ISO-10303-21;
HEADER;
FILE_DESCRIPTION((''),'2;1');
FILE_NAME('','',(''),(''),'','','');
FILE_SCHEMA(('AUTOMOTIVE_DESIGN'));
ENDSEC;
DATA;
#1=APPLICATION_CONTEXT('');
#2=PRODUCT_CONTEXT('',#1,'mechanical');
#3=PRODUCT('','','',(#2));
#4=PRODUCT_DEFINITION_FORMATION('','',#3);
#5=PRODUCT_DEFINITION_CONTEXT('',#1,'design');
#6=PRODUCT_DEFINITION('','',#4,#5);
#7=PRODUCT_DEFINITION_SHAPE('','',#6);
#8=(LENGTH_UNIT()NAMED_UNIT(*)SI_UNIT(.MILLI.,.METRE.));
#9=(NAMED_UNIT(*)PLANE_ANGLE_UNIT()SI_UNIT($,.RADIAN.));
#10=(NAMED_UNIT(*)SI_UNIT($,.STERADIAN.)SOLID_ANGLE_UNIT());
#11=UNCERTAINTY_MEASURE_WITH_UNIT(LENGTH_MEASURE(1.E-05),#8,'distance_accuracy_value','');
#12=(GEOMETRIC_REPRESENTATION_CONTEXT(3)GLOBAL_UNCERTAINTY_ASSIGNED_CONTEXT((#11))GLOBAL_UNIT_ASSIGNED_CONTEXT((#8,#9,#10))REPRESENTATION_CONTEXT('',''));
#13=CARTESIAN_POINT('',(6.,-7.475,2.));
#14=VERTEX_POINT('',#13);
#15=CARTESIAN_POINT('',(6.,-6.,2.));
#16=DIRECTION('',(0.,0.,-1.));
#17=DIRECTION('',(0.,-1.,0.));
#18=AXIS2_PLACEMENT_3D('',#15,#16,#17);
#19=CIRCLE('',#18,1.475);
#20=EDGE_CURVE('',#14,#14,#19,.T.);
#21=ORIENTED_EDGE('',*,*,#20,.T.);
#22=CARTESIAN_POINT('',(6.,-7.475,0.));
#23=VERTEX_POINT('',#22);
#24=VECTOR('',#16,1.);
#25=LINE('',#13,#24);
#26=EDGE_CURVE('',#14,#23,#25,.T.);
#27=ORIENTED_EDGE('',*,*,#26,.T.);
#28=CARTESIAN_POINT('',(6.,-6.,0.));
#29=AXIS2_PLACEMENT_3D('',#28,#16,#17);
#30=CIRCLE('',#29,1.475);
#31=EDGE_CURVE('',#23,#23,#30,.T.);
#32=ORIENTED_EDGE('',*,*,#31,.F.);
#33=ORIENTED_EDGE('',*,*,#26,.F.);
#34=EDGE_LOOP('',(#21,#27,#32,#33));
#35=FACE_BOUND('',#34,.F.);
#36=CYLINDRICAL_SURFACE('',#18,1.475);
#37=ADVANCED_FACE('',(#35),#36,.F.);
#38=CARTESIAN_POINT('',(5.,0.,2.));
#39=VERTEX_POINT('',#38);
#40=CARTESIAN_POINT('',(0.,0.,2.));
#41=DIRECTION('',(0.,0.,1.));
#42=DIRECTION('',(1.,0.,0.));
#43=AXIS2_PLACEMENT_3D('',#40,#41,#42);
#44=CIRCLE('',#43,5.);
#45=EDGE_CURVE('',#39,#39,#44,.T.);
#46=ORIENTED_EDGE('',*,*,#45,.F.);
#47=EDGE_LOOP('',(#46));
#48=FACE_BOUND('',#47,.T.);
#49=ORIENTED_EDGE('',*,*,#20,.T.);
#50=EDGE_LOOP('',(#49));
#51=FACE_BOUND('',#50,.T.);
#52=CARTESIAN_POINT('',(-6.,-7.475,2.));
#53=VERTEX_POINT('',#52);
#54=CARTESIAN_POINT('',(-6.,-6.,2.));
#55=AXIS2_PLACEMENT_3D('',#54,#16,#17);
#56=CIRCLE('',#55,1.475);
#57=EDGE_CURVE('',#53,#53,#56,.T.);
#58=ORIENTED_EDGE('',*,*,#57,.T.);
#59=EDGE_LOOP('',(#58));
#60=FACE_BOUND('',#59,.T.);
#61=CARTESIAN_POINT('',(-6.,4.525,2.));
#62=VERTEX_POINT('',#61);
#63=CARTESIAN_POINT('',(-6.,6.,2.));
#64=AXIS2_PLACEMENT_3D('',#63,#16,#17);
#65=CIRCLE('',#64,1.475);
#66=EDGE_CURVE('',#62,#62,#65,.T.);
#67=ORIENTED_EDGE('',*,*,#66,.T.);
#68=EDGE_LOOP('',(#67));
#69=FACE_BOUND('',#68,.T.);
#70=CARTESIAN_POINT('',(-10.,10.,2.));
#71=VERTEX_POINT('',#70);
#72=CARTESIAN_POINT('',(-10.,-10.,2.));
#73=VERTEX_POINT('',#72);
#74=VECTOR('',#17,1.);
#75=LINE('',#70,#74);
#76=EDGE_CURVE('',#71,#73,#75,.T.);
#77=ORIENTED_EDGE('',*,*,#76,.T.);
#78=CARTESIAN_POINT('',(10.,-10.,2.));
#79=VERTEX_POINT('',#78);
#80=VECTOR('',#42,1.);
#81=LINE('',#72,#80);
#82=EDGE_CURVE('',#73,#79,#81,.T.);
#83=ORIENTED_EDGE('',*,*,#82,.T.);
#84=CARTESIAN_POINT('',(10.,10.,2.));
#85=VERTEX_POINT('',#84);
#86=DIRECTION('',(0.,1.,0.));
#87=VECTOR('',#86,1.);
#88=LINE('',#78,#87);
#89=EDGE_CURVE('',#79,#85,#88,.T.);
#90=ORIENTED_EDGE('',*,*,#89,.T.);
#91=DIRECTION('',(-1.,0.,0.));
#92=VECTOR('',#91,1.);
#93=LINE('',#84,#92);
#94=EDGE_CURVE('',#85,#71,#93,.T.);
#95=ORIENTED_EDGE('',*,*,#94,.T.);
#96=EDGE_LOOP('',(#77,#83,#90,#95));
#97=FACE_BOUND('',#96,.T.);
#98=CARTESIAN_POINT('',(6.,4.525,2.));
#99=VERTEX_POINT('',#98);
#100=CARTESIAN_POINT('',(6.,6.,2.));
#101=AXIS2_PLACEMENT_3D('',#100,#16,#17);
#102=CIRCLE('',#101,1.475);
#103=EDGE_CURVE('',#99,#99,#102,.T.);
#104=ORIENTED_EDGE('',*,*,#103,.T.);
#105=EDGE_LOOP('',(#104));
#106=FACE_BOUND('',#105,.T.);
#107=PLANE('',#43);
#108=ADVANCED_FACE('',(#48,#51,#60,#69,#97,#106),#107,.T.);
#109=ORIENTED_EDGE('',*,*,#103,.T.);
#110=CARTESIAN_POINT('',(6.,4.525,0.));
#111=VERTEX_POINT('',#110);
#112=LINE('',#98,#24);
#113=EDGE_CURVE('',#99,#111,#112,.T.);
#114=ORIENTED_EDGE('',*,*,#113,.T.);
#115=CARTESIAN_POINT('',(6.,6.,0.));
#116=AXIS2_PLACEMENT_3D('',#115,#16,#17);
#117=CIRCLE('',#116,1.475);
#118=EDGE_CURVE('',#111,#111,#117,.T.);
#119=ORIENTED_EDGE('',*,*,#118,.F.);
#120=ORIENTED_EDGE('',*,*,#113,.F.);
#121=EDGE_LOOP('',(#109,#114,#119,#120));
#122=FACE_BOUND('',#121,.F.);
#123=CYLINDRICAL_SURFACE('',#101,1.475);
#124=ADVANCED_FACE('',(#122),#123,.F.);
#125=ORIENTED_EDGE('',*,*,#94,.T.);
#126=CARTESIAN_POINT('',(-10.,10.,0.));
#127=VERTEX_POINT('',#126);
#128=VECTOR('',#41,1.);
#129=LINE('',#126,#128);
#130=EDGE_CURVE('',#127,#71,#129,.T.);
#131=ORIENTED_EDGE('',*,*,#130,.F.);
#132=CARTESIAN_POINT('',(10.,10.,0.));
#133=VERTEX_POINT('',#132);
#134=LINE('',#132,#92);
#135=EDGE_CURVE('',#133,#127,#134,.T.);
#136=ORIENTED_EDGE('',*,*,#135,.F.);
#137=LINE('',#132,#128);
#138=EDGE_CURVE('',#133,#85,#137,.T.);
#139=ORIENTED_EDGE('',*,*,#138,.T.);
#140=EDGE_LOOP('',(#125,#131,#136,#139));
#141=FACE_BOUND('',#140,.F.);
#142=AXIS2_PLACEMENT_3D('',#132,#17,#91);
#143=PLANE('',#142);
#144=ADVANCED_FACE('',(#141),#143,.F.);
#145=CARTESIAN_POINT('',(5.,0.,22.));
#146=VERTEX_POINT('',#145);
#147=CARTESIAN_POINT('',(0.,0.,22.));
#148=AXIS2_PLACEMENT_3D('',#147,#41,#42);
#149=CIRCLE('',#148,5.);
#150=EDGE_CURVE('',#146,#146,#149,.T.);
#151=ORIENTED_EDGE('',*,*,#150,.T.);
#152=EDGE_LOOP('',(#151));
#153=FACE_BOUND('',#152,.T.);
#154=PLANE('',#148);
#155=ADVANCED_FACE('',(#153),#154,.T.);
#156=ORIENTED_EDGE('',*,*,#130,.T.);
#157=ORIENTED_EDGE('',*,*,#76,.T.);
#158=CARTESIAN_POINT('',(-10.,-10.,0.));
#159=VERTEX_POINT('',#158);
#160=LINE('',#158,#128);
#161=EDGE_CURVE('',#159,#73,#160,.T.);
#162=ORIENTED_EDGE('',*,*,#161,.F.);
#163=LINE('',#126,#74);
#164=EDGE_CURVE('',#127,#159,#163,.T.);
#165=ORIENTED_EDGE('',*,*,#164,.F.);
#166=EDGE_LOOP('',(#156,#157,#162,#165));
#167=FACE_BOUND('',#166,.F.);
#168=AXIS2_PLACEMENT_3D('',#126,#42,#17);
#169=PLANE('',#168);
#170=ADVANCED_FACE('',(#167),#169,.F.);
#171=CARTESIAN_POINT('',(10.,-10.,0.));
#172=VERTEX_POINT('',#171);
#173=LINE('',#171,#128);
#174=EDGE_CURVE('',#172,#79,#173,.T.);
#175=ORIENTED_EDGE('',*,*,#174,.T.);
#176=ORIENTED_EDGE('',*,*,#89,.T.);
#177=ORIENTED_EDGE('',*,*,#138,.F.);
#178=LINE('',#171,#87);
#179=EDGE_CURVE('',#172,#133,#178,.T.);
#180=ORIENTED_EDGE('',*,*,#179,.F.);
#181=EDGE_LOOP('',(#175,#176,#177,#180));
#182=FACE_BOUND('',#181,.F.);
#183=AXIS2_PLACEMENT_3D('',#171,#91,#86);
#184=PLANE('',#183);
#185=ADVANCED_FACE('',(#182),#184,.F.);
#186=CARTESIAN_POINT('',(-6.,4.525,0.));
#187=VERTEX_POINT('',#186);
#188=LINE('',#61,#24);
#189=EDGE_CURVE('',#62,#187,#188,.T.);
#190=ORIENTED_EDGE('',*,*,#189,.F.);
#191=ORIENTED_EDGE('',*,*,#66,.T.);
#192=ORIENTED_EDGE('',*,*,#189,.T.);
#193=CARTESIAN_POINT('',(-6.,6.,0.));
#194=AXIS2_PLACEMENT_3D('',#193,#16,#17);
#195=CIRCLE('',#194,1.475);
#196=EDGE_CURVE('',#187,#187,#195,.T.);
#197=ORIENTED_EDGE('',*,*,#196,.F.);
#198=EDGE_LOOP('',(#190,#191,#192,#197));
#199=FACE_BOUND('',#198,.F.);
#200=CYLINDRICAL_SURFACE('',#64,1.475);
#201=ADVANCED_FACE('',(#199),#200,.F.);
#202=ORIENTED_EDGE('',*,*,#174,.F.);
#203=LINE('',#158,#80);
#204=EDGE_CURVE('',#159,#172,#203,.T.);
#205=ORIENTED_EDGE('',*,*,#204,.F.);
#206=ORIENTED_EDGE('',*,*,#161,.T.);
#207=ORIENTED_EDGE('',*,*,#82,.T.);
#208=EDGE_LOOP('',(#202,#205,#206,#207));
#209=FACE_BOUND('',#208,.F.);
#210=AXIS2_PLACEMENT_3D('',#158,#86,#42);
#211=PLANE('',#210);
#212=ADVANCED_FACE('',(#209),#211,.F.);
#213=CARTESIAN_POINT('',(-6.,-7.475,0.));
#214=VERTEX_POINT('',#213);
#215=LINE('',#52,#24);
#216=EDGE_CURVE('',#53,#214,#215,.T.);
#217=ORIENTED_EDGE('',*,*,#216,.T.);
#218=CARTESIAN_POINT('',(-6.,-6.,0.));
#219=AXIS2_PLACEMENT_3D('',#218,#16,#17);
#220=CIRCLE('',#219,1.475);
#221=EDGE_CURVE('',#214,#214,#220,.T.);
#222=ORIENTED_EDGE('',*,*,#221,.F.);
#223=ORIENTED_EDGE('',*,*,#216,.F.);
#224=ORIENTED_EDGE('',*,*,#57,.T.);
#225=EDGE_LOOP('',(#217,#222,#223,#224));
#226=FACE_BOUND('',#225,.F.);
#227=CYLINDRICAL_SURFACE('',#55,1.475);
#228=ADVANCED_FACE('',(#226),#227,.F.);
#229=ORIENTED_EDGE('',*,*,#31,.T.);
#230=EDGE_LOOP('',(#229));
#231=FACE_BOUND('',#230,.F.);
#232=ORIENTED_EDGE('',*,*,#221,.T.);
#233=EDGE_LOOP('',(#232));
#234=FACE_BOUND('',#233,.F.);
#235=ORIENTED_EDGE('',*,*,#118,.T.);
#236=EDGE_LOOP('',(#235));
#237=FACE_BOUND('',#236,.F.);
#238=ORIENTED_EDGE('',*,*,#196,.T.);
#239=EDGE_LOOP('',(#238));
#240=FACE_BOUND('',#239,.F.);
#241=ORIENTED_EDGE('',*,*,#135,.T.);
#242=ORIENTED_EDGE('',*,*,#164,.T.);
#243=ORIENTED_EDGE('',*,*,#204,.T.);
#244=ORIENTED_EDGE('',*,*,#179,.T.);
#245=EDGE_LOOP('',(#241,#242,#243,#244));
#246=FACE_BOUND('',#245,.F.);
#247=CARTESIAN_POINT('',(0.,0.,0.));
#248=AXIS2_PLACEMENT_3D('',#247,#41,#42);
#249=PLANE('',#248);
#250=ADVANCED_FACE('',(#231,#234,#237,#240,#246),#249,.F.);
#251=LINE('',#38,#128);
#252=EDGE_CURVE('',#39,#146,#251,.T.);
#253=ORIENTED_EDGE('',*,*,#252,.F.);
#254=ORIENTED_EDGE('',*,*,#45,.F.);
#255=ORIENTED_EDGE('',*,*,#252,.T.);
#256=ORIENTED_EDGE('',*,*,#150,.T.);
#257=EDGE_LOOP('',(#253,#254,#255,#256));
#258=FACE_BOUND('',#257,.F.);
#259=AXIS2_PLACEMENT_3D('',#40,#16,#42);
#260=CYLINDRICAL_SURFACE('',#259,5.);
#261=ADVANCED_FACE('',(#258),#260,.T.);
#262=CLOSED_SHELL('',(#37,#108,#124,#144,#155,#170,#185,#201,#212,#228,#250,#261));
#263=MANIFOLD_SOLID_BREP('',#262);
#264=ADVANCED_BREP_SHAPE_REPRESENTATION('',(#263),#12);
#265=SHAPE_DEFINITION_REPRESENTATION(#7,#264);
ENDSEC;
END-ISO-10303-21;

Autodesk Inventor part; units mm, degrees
ref_plane "YZ Plane" through (0, 0, 0) normal (1, 0, 0) x (0, 1, 0)
ref_plane "XZ Plane" through (0, 0, 0) normal (0, 1, 0) x (-1, 0, 0)
ref_plane "XY Plane" through (0, 0, 0) normal (0, 0, 1) x (1, 0, 0)
sketch "Skizze1" plane through (0, 0, 0) normal (0, 0, 1) x (1, 0, 0)
  line L0 (-10, -10) -> (10, -10)
  line L1 (10, -10) -> (10, 10)
  line L2 (10, 10) -> (-10, 10)
  line L3 (-10, 10) -> (-10, -10)
  line L4 (-10, -10) -> (10, 10) construction
  line L5 (10, -10) -> (-10, 10) construction
  point P0 (0, 0)
  dimension "d0" = 20
  dimension "d1" = 20
extrude "Extrusion1" add sketch "Skizze1" along normal blind 2
sketch "Skizze2" plane through (0, 0, 2) normal (0, 0, 1) x (1, 0, 0)
  circle A0 centre (0, 0) radius 5
  dimension "d4" = 10
extrude "Extrusion2" add sketch "Skizze2" along normal blind 20
sketch "Skizze3" plane through (0, 0, 2) normal (0, 0, 1) x (1, 0, 0)
  line L0 (10, 10) -> (-10, 10) projected
  line L1 (-10, 10) -> (-10, -10) projected
  line L2 (10, -10) -> (10, 10) projected
  line L3 (-10, -10) -> (10, -10) projected
  point P0 (0, 0)
  point P1 (-6, 6)
  point P2 (6, 6)
  point P3 (6, -6)
  point P4 (-6, -6)
  dimension "d7" = 4
  dimension "d8" = 4
  dimension "d9" = 4
  dimension "d10" = 4
  dimension "d11" = 4
  dimension "d12" = 4
  dimension "d13" = 4
  dimension "d14" = 4
hole "Bohrung1" at (-6, 6, 2) at (6, 6, 2) at (6, -6, 2) at (-6, -6, 2) direction (0, 0, -1) diameter 2.95 end through all
properties part number "Laserhalter Mittelteil 29112018"
